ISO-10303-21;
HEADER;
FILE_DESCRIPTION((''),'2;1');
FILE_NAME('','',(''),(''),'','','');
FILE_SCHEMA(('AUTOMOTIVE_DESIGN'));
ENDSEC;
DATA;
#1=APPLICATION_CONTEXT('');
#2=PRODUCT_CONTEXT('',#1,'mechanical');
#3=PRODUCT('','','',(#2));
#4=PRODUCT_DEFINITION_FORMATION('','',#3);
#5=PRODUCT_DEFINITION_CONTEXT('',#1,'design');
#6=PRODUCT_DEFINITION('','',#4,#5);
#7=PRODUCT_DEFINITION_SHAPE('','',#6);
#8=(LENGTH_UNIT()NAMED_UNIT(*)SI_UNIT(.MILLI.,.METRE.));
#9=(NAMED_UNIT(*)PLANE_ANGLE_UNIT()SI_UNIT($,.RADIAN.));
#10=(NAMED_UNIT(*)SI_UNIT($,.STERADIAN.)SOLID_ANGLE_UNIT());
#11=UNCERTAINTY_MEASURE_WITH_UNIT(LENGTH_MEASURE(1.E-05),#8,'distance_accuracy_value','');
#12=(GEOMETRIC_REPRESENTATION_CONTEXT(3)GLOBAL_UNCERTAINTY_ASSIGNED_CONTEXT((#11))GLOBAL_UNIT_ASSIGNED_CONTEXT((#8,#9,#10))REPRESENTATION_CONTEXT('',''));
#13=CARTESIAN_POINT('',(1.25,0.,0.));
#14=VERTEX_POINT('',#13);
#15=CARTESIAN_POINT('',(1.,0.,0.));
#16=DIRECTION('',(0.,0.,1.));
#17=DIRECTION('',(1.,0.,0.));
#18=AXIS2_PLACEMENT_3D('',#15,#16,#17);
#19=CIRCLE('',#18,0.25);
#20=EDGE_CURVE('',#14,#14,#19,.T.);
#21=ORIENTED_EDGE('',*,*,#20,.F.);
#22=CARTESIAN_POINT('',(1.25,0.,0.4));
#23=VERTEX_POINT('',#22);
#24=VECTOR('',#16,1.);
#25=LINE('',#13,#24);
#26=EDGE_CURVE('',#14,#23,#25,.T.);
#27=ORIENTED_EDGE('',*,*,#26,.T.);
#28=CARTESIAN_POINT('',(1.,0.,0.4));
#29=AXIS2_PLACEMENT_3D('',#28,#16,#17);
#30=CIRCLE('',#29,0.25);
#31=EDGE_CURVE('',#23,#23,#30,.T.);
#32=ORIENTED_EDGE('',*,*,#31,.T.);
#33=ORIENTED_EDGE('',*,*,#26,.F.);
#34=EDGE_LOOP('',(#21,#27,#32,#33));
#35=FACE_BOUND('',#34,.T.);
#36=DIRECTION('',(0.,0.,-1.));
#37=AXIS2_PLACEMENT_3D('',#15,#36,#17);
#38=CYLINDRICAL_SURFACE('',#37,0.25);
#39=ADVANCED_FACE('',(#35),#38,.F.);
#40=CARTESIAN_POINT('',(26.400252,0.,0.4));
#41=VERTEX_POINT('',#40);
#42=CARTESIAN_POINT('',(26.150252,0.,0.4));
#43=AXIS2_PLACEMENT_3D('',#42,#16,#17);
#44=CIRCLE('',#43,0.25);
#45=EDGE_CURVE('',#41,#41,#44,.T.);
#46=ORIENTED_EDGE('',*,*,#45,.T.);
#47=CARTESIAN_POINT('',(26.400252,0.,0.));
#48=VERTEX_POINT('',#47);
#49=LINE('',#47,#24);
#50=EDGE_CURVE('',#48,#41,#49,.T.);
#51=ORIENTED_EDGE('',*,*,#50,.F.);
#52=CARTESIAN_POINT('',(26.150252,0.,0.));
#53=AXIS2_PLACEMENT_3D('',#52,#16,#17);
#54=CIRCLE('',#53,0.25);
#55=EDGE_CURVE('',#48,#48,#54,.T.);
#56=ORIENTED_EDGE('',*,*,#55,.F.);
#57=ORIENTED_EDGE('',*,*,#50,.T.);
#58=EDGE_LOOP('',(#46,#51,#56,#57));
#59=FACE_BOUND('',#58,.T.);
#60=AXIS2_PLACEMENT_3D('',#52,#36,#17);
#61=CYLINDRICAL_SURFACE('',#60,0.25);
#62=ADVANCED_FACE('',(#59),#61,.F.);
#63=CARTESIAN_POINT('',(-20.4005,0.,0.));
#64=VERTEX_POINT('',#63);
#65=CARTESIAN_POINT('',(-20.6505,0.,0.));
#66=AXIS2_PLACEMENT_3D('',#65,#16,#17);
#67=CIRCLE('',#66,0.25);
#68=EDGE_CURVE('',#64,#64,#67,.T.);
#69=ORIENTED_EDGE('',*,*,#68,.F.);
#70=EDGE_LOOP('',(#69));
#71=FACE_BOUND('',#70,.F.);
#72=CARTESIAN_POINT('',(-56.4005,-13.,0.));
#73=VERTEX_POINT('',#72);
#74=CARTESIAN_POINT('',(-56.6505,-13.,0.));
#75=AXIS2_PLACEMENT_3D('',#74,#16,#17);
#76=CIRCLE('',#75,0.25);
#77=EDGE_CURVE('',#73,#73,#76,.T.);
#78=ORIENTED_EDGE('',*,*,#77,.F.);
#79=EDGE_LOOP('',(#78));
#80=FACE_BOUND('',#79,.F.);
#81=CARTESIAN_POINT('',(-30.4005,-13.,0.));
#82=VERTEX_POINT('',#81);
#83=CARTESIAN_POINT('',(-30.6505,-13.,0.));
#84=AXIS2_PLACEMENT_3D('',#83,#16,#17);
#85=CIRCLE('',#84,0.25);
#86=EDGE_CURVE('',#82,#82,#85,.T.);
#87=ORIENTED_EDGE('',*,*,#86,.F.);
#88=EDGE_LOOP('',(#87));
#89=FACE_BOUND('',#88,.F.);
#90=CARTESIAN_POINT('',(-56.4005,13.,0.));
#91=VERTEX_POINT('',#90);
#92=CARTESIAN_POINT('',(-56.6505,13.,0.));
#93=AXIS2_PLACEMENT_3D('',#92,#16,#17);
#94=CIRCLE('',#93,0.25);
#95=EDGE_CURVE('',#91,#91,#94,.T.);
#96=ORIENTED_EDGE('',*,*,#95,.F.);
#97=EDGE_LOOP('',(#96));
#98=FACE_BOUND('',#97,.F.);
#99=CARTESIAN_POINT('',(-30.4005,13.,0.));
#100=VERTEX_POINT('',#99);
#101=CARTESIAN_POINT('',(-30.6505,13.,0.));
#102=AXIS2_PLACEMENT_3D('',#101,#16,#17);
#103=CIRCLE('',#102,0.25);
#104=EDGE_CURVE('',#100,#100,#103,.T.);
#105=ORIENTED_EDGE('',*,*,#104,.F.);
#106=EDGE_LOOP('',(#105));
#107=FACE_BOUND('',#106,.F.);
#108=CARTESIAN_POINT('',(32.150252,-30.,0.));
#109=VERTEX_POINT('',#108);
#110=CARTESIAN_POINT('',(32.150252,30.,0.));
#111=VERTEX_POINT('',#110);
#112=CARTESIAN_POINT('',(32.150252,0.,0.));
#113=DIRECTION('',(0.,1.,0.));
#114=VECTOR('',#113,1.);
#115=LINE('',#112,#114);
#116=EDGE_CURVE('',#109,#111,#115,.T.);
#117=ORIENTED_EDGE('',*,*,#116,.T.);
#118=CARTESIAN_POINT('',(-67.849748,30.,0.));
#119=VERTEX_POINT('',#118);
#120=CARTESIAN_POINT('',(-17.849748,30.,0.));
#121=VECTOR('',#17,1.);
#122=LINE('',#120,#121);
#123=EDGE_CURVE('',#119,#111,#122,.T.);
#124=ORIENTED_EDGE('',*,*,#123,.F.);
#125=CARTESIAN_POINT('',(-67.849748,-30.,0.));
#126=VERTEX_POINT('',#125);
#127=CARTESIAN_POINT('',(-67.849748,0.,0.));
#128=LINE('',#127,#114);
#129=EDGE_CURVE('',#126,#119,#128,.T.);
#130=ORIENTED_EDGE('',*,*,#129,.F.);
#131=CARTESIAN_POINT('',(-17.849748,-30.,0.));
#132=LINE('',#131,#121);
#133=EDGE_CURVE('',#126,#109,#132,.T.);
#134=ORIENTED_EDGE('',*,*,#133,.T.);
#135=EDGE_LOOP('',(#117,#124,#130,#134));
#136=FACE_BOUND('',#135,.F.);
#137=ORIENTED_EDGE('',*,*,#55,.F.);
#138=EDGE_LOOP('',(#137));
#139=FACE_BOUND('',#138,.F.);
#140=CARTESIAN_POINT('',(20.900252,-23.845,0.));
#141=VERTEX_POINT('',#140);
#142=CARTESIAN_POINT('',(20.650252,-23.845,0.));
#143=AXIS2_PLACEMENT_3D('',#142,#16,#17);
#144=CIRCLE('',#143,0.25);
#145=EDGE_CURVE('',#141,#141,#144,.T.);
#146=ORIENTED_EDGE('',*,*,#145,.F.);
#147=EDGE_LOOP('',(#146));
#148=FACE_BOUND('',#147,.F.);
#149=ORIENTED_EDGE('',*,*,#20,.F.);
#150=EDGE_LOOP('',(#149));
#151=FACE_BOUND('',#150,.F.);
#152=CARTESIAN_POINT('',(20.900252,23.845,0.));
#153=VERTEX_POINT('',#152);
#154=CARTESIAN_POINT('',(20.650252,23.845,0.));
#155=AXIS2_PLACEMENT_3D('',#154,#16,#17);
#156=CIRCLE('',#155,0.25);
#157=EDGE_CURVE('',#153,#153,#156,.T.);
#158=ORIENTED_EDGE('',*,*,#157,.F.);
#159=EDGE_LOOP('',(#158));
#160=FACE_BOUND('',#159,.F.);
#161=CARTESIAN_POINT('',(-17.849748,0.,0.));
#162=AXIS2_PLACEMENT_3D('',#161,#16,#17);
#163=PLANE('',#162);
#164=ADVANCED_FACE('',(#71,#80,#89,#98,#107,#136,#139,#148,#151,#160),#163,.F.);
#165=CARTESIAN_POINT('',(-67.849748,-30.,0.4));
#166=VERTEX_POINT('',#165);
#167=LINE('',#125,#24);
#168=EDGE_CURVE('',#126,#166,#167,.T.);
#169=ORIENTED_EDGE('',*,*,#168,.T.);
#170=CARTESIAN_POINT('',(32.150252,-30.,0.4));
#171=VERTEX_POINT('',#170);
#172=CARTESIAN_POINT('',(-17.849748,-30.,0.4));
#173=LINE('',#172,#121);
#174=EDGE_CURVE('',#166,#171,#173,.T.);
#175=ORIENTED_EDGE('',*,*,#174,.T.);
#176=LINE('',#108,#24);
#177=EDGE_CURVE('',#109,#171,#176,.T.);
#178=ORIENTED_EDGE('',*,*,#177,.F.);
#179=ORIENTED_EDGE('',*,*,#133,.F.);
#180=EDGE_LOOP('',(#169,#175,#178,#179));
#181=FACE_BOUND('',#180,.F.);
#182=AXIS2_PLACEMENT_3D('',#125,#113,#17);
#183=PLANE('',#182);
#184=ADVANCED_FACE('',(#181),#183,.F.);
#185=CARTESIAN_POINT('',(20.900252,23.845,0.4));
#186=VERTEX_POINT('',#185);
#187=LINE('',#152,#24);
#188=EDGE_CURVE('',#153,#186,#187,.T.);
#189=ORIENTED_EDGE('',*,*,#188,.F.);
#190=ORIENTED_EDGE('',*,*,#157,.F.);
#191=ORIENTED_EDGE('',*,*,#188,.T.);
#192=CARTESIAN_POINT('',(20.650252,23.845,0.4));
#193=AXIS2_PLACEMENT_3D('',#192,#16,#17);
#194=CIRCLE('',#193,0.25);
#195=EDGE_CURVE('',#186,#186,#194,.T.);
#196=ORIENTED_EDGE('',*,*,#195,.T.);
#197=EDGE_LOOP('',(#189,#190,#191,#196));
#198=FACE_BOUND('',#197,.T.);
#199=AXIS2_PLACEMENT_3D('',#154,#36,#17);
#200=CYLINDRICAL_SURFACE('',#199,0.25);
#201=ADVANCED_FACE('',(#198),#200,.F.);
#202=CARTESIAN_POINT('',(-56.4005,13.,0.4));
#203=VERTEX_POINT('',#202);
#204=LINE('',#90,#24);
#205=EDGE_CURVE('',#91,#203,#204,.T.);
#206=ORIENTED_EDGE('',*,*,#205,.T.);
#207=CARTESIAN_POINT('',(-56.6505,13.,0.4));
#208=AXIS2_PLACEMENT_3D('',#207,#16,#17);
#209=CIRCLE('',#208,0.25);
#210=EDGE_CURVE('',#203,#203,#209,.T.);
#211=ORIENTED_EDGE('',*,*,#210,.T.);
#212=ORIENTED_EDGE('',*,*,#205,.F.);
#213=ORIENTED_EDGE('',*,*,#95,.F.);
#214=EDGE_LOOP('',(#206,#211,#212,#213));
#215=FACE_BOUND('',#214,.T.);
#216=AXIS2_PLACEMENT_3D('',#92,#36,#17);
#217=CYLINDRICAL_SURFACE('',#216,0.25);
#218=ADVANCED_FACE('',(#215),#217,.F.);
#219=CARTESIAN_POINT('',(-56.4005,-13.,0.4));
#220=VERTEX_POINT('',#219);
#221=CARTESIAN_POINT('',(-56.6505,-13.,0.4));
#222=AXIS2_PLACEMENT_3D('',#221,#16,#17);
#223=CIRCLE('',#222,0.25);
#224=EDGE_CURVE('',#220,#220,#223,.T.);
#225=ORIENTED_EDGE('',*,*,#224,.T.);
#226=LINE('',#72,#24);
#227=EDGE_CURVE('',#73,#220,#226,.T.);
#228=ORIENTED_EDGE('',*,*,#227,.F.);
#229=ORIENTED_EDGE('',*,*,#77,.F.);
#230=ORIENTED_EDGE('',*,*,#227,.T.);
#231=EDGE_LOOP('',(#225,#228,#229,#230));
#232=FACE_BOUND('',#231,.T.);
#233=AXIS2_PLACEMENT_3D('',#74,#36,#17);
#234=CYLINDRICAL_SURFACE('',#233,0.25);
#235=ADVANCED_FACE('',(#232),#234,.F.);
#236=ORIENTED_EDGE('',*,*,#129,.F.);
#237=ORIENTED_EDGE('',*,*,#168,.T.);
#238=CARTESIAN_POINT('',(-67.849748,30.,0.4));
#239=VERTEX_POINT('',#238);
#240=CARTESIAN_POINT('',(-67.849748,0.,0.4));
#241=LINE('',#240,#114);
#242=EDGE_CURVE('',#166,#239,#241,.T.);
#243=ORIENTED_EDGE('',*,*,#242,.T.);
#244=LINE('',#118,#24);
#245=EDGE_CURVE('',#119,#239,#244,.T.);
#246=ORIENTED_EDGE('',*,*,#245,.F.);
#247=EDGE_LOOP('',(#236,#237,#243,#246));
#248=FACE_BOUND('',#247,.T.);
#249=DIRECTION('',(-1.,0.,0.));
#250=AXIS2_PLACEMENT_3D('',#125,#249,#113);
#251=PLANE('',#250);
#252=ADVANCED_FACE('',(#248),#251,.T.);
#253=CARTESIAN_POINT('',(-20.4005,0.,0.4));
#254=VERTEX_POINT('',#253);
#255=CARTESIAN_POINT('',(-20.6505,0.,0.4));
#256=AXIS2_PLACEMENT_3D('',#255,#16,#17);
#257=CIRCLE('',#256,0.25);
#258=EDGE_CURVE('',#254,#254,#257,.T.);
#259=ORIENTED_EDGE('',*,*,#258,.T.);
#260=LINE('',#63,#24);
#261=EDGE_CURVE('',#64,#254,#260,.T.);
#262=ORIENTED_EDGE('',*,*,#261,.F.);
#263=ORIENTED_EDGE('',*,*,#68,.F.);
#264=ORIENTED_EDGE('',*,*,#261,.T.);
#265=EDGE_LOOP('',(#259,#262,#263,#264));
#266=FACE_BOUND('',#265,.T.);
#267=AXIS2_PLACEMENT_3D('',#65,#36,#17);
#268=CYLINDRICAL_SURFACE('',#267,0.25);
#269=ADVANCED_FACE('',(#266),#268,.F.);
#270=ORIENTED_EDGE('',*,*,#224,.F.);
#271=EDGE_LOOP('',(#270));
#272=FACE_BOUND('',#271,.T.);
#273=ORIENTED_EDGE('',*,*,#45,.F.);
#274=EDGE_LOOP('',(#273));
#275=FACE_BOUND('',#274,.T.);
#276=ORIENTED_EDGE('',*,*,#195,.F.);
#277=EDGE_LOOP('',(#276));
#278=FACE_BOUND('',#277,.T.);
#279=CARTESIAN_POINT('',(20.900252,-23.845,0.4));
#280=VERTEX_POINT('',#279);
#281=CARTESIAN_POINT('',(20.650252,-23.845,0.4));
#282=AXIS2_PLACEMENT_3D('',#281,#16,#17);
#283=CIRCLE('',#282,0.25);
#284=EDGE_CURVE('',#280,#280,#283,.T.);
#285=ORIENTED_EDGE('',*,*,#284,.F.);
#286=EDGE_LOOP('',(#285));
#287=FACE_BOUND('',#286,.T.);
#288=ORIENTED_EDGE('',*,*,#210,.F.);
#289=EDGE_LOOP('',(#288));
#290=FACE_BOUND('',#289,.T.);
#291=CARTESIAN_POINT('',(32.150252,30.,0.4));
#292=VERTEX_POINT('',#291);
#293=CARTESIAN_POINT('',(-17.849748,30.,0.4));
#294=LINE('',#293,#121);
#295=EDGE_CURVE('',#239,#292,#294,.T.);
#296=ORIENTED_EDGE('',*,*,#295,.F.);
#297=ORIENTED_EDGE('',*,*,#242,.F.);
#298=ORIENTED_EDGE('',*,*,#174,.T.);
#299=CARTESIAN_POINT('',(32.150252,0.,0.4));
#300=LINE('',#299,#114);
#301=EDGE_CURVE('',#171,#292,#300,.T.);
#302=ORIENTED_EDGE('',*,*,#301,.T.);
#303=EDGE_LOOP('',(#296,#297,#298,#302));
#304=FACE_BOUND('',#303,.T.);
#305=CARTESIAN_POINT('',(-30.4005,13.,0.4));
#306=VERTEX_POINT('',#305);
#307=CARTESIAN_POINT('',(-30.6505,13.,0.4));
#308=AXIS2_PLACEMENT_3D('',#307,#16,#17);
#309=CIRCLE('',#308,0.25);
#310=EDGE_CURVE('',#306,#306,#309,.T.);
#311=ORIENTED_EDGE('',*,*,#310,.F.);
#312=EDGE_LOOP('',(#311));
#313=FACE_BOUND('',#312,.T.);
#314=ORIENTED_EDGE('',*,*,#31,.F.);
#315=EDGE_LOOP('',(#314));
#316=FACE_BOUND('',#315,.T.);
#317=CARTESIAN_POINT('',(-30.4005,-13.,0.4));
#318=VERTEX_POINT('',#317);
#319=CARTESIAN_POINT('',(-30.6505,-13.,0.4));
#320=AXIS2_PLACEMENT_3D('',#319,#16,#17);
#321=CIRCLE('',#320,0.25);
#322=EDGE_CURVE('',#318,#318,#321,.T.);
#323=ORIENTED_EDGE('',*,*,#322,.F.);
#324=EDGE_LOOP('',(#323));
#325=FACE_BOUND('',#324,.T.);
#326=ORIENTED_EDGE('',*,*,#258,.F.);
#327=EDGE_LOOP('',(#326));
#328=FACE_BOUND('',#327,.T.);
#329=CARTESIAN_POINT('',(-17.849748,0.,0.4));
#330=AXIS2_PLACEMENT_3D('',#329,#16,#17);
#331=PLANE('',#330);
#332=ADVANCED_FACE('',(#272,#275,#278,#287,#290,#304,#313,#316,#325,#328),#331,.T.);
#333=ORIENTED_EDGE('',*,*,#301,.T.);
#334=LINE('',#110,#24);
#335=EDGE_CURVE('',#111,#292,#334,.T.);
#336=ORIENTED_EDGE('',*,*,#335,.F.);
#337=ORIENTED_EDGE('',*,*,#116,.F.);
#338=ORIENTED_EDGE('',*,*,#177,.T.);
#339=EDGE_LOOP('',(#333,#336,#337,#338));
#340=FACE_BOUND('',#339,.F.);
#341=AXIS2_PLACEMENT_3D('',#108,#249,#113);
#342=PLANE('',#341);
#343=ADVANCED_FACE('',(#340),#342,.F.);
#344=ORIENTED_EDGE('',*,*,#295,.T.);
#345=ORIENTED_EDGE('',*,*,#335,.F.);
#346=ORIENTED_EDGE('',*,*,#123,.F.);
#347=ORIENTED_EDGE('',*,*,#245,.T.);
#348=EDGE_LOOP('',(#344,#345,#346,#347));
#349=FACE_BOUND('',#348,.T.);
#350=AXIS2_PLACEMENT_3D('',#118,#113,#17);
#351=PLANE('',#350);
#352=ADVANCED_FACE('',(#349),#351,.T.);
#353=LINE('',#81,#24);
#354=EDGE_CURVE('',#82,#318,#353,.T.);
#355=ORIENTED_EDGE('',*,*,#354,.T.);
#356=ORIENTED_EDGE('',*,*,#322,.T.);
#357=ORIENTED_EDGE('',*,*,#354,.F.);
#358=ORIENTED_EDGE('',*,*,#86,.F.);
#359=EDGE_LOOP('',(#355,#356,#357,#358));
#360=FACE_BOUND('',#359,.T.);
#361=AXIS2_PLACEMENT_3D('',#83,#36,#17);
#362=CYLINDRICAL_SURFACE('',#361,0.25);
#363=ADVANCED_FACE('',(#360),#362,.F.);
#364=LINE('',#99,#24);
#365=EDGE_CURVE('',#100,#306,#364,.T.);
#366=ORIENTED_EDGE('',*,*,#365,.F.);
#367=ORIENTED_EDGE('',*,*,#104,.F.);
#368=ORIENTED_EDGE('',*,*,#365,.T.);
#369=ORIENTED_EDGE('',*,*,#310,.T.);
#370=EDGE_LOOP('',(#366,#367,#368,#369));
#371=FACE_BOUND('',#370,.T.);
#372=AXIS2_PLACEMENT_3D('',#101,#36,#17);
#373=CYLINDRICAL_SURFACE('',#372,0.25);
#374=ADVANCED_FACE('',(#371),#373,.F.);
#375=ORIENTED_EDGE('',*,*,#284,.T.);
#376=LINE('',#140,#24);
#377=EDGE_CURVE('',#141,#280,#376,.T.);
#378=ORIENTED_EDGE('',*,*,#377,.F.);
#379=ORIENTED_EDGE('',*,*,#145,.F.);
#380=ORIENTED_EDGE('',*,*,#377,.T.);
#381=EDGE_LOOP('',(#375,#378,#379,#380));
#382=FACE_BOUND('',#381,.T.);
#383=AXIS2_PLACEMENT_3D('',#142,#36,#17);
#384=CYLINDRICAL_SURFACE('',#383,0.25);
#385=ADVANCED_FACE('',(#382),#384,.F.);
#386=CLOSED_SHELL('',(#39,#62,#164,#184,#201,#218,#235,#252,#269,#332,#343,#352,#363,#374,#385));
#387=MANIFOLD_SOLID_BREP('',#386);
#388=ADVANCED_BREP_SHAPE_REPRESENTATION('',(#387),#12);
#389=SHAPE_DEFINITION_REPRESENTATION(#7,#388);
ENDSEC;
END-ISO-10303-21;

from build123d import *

# Parameters (mm, degrees)
F0_W     = 100
F0_H     = 60
F0_R     = 0.25
F1_DEPTH = 0.4


with BuildPart() as f1:
    # F0 (on Top) → F1 (new body)
    with BuildSketch(Plane.XY):
        with Locations((-17.849748, 0)):
            Rectangle(F0_W, F0_H)
        with Locations((-56.6505, -13)):
            Circle(F0_R, mode=Mode.SUBTRACT)
        with Locations((-30.6505, -13)):
            Circle(F0_R, mode=Mode.SUBTRACT)
        with Locations((20.650252, -23.845)):
            Circle(F0_R, mode=Mode.SUBTRACT)
        with Locations((-56.6505, 13)):
            Circle(F0_R, mode=Mode.SUBTRACT)
        with Locations((-20.6505, 0)):
            Circle(F0_R, mode=Mode.SUBTRACT)
        with Locations((-30.6505, 13)):
            Circle(F0_R, mode=Mode.SUBTRACT)
        with Locations((1, 0)):
            Circle(F0_R, mode=Mode.SUBTRACT)
        with Locations((26.150252, 0)):
            Circle(F0_R, mode=Mode.SUBTRACT)
        with Locations((20.650252, 23.845)):
            Circle(F0_R, mode=Mode.SUBTRACT)
    extrude(amount=F1_DEPTH)


solid = f1.part
